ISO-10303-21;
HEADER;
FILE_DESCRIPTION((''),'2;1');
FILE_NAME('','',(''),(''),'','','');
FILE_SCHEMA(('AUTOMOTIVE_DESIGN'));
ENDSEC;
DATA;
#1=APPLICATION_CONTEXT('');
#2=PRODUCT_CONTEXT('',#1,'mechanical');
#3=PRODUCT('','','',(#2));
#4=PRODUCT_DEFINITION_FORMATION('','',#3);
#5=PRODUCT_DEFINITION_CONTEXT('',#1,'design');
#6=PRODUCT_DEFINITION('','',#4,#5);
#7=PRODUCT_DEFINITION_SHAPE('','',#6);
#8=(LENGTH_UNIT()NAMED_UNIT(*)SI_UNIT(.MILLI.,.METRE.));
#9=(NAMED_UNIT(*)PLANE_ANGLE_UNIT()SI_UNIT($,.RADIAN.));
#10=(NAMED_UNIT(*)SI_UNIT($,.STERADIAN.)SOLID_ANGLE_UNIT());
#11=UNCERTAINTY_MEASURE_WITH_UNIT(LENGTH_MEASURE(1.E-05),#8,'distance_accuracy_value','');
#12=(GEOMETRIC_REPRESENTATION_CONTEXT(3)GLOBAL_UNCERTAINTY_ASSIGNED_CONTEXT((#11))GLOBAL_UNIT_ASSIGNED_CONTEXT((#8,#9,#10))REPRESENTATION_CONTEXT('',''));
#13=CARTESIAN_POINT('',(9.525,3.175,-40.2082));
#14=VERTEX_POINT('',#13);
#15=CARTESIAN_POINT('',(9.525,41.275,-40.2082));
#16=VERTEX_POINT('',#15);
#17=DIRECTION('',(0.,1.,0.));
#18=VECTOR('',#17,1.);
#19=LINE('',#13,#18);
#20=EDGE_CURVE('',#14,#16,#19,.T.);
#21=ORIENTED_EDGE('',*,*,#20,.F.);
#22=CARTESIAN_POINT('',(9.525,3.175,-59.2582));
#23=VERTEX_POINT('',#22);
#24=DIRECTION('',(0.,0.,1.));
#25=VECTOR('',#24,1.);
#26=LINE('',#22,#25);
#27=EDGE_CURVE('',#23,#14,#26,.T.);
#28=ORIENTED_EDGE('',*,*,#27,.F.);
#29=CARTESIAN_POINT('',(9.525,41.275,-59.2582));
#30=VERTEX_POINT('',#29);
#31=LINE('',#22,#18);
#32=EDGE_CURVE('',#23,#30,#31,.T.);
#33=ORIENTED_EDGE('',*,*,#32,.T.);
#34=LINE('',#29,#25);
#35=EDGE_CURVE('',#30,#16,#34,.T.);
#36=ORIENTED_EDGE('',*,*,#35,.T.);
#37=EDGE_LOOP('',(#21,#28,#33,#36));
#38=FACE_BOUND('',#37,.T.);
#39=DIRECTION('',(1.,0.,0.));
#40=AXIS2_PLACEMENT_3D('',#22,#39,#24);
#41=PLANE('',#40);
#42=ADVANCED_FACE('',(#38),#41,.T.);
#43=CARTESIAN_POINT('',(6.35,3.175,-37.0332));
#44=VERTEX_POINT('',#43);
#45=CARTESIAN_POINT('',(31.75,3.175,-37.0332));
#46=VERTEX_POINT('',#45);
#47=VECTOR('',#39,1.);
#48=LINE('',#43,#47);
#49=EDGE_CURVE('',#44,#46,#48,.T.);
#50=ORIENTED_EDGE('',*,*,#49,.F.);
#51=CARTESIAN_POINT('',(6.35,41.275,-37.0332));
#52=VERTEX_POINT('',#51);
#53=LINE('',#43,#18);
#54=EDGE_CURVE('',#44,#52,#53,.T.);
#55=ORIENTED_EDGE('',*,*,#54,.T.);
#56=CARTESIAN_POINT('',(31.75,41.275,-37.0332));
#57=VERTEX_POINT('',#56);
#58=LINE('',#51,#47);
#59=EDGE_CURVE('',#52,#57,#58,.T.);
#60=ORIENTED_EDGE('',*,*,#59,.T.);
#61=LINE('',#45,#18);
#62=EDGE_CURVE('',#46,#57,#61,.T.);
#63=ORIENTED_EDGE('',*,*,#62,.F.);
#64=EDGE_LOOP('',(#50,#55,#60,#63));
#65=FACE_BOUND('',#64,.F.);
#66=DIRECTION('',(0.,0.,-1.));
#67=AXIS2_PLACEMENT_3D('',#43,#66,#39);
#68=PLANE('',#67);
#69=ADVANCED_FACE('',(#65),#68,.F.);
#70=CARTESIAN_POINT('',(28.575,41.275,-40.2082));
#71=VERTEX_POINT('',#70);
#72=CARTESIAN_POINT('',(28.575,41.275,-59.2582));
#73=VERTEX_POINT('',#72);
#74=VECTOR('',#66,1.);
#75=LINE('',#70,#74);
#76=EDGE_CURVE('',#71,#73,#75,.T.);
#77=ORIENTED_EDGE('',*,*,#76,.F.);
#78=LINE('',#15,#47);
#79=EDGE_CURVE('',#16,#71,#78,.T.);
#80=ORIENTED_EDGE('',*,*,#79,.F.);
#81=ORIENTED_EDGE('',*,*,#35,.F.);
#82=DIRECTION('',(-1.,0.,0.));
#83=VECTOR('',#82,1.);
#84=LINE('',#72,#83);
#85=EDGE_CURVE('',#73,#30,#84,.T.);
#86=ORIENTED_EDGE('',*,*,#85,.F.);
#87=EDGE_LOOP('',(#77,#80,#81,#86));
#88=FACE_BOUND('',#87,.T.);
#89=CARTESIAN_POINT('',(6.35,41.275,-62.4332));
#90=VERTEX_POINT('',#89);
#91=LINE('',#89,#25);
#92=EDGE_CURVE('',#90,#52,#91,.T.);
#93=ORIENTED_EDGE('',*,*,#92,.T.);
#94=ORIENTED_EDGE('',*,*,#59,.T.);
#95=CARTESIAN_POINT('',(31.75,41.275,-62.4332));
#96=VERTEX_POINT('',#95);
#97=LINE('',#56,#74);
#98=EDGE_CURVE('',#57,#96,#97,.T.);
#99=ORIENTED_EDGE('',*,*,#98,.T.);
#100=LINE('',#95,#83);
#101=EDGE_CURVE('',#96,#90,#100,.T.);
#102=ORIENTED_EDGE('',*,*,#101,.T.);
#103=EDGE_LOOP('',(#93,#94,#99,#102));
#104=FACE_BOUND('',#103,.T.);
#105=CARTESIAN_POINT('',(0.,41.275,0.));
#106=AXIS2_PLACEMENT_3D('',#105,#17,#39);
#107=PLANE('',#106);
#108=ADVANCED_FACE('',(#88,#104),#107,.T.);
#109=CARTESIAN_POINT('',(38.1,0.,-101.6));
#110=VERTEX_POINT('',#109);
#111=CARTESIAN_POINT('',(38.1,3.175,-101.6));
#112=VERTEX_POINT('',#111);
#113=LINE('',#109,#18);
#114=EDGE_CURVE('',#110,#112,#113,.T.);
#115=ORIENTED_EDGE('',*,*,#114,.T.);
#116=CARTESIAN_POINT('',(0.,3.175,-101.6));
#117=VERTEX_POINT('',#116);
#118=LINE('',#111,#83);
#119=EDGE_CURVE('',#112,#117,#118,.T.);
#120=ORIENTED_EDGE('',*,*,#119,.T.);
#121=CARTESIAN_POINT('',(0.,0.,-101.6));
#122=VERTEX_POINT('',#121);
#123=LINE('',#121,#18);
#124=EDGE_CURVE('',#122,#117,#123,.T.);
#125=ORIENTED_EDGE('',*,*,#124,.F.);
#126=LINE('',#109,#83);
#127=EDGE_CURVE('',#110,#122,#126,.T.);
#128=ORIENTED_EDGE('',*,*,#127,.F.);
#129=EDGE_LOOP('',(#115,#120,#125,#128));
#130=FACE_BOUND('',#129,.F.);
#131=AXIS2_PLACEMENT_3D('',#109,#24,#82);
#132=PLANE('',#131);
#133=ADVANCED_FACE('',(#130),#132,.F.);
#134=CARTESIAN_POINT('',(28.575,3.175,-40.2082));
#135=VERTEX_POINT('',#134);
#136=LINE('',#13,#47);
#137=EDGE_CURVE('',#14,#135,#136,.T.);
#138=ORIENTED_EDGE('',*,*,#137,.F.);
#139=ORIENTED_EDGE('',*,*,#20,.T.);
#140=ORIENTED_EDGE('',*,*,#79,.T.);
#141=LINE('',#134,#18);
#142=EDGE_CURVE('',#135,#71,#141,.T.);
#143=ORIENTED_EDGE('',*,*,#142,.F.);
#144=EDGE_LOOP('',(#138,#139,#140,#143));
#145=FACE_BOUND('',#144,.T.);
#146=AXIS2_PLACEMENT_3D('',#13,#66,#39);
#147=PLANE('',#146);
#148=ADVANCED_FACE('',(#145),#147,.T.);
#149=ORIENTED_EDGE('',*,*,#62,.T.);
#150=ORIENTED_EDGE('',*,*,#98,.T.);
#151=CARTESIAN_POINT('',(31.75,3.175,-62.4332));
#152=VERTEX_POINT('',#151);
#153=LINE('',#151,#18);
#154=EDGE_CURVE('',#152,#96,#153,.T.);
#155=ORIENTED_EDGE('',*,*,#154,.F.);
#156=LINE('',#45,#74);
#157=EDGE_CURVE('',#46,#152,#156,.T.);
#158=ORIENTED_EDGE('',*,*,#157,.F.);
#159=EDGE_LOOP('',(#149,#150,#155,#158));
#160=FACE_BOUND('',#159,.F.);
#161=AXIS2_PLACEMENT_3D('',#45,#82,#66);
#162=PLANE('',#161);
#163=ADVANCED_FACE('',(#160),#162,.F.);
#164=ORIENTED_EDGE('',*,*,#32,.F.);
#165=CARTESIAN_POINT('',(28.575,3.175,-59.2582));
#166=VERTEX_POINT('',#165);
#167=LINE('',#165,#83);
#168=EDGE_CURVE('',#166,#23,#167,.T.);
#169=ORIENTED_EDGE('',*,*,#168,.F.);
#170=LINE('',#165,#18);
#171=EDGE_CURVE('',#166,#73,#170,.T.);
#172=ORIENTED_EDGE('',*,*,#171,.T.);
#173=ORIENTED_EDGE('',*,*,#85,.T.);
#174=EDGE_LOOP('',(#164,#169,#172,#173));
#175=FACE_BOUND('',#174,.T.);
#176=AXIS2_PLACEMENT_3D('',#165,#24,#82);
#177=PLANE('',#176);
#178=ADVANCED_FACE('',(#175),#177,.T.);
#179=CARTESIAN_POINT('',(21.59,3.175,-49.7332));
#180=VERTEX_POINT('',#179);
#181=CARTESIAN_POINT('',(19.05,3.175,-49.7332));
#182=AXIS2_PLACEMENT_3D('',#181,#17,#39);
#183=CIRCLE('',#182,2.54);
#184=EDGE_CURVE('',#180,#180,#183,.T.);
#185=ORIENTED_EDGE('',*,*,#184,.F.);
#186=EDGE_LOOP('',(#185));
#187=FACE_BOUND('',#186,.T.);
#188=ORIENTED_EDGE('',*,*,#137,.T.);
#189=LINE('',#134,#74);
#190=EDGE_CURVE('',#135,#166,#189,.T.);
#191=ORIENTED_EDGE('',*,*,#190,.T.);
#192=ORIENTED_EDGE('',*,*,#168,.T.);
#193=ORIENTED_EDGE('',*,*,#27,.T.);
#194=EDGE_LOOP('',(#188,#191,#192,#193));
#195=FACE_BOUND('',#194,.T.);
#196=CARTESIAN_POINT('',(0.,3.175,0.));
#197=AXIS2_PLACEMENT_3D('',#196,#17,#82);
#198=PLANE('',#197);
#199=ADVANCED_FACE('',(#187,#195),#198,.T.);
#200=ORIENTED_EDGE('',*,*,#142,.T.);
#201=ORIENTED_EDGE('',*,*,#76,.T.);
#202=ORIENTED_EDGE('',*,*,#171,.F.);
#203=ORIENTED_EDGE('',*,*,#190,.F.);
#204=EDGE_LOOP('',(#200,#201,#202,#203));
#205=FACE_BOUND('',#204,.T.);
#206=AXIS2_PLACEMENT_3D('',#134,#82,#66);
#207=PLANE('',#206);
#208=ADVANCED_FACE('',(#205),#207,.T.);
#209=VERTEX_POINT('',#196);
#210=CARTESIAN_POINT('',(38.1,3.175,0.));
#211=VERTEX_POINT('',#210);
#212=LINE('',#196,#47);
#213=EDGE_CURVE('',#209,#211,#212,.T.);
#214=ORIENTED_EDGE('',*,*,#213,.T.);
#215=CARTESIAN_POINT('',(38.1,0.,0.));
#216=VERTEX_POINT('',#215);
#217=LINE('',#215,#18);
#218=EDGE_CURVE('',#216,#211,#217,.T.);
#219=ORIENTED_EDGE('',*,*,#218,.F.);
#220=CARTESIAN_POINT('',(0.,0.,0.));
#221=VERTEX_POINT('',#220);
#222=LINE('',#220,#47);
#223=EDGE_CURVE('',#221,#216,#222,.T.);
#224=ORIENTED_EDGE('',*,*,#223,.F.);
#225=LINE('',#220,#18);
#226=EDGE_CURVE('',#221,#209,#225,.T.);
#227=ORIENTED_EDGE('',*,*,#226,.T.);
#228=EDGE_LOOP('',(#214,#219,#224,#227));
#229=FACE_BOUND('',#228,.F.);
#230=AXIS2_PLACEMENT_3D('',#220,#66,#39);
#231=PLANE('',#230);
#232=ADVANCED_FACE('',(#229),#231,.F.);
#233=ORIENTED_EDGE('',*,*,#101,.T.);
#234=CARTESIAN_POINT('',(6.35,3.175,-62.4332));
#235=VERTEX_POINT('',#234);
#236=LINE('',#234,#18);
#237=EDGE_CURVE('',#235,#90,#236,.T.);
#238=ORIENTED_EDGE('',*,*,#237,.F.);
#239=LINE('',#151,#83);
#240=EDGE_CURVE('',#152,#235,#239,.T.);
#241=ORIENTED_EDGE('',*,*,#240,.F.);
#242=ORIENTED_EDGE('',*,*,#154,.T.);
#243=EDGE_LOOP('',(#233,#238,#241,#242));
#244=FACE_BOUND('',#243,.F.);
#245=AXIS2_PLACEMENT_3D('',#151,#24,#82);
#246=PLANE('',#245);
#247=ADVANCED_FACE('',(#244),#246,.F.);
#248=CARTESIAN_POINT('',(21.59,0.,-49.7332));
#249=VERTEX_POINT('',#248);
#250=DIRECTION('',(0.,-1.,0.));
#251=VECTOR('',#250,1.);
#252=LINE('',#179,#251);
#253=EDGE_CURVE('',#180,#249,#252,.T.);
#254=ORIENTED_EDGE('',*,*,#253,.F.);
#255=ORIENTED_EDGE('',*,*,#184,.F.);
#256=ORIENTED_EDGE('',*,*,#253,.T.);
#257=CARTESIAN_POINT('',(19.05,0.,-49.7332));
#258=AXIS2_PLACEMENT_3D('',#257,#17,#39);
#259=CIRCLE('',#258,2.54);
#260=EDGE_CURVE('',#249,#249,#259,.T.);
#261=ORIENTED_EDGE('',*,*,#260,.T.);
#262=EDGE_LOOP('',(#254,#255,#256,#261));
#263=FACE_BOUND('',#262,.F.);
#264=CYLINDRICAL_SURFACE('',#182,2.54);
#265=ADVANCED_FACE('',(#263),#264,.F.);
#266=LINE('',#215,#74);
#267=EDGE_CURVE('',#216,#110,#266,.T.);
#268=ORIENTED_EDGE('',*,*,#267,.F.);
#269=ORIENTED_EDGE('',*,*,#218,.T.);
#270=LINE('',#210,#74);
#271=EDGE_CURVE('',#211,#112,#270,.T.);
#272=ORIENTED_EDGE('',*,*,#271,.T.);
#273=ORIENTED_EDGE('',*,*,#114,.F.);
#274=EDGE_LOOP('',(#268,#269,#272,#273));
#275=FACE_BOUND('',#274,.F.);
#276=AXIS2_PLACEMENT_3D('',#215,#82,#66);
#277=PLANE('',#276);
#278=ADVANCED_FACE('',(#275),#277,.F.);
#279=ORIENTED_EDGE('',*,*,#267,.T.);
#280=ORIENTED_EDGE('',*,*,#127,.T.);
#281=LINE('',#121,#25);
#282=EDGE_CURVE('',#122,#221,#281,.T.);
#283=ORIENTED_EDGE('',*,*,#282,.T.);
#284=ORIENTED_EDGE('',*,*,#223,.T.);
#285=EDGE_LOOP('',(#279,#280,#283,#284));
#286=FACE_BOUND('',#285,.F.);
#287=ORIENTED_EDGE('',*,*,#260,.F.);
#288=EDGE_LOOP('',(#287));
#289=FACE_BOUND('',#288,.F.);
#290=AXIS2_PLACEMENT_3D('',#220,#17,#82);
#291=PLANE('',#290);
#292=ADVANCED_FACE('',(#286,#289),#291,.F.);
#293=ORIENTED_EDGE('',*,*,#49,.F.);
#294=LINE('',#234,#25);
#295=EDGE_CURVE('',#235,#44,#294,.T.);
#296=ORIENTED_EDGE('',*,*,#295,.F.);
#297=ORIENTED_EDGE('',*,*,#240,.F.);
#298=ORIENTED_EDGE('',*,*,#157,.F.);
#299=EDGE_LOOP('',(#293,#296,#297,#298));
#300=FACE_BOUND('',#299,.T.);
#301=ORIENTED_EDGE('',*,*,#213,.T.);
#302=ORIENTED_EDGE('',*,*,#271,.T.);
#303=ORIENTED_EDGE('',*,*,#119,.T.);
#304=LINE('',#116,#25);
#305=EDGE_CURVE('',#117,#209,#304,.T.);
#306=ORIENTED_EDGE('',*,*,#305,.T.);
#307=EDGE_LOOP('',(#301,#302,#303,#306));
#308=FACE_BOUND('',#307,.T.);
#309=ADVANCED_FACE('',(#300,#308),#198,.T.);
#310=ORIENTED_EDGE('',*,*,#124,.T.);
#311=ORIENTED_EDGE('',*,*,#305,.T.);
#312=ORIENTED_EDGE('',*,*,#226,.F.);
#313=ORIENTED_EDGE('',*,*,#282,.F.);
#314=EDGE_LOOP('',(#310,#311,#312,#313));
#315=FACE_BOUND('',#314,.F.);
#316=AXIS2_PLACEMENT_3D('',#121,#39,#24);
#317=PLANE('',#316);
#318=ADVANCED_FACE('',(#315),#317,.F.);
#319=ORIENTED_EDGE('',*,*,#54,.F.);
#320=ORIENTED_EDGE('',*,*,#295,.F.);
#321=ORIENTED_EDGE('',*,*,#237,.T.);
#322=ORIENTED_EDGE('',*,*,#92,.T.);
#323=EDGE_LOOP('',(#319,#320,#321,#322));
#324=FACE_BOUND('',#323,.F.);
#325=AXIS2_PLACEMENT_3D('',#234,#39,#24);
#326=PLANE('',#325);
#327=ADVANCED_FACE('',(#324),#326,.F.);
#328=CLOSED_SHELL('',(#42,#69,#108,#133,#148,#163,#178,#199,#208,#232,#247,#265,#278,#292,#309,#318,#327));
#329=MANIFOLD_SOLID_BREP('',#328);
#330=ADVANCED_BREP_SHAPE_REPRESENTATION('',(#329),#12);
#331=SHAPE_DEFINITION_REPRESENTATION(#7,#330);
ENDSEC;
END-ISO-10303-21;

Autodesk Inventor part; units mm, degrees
ref_plane "YZ Plane" through (0, 0, 0) normal (1, 0, 0) x (0, 1, 0)
ref_plane "XZ Plane" through (0, 0, 0) normal (0, 1, 0) x (-1, 0, 0)
ref_plane "XY Plane" through (0, 0, 0) normal (0, 0, 1) x (1, 0, 0)
sketch "Sketch1" plane through (0, 0, 0) normal (0, 1, 0) x (-1, 0, 0)
  line L0 (0, 0) -> (-38.1, 0)
  line L1 (-38.1, 0) -> (-38.1, -101.6)
  line L2 (-38.1, -101.6) -> (0, -101.6)
  line L3 (0, -101.6) -> (0, 0)
  dimension "d0" = 38.1
  dimension "d1" = 101.6
extrude "Extrusion1" add sketch "Sketch1" along normal blind 3.175
sketch "Sketch3" plane through (0, 3.175, 0) normal (0, 1, 0) x (1, 0, 0)
  line L0 (31.75, 62.4332) -> (6.35, 62.4332)
  line L1 (6.35, 62.4332) -> (6.35, 37.0332)
  line L2 (6.35, 37.0332) -> (31.75, 37.0332)
  line L3 (31.75, 37.0332) -> (31.75, 62.4332)
  line L4 (38.1, 0) -> (38.1, 101.6) projected
  line L5 (38.1, 101.6) -> (0, 101.6) projected
  line L6 (28.575, 59.2582) -> (9.525, 59.2582)
  line L7 (9.525, 59.2582) -> (9.525, 40.2082)
  line L8 (9.525, 40.2082) -> (28.575, 40.2082)
  line L9 (28.575, 40.2082) -> (28.575, 59.2582)
  circle A0 centre (19.05, 49.7332) radius 2.54
  point P0 (0, 0)
  dimension "d8" = 25.4
  dimension "d9" = 25.4
  dimension "d10" = 6.35
  dimension "d11" = 39.1668
  dimension "d12" = 3.175
  dimension "d15" = 5.08
  dimension "d16" = 12.7
  dimension "d17" = 12.7
extrude "Extrusion3" add sketch "Sketch3" along normal blind 38.1 contours L3 L2 L1 L0
extrude "Extrusion5" cut sketch "Sketch3" against normal blind 3.175 contours A0
properties part number "mounting plate" material "ABS Plastic"
